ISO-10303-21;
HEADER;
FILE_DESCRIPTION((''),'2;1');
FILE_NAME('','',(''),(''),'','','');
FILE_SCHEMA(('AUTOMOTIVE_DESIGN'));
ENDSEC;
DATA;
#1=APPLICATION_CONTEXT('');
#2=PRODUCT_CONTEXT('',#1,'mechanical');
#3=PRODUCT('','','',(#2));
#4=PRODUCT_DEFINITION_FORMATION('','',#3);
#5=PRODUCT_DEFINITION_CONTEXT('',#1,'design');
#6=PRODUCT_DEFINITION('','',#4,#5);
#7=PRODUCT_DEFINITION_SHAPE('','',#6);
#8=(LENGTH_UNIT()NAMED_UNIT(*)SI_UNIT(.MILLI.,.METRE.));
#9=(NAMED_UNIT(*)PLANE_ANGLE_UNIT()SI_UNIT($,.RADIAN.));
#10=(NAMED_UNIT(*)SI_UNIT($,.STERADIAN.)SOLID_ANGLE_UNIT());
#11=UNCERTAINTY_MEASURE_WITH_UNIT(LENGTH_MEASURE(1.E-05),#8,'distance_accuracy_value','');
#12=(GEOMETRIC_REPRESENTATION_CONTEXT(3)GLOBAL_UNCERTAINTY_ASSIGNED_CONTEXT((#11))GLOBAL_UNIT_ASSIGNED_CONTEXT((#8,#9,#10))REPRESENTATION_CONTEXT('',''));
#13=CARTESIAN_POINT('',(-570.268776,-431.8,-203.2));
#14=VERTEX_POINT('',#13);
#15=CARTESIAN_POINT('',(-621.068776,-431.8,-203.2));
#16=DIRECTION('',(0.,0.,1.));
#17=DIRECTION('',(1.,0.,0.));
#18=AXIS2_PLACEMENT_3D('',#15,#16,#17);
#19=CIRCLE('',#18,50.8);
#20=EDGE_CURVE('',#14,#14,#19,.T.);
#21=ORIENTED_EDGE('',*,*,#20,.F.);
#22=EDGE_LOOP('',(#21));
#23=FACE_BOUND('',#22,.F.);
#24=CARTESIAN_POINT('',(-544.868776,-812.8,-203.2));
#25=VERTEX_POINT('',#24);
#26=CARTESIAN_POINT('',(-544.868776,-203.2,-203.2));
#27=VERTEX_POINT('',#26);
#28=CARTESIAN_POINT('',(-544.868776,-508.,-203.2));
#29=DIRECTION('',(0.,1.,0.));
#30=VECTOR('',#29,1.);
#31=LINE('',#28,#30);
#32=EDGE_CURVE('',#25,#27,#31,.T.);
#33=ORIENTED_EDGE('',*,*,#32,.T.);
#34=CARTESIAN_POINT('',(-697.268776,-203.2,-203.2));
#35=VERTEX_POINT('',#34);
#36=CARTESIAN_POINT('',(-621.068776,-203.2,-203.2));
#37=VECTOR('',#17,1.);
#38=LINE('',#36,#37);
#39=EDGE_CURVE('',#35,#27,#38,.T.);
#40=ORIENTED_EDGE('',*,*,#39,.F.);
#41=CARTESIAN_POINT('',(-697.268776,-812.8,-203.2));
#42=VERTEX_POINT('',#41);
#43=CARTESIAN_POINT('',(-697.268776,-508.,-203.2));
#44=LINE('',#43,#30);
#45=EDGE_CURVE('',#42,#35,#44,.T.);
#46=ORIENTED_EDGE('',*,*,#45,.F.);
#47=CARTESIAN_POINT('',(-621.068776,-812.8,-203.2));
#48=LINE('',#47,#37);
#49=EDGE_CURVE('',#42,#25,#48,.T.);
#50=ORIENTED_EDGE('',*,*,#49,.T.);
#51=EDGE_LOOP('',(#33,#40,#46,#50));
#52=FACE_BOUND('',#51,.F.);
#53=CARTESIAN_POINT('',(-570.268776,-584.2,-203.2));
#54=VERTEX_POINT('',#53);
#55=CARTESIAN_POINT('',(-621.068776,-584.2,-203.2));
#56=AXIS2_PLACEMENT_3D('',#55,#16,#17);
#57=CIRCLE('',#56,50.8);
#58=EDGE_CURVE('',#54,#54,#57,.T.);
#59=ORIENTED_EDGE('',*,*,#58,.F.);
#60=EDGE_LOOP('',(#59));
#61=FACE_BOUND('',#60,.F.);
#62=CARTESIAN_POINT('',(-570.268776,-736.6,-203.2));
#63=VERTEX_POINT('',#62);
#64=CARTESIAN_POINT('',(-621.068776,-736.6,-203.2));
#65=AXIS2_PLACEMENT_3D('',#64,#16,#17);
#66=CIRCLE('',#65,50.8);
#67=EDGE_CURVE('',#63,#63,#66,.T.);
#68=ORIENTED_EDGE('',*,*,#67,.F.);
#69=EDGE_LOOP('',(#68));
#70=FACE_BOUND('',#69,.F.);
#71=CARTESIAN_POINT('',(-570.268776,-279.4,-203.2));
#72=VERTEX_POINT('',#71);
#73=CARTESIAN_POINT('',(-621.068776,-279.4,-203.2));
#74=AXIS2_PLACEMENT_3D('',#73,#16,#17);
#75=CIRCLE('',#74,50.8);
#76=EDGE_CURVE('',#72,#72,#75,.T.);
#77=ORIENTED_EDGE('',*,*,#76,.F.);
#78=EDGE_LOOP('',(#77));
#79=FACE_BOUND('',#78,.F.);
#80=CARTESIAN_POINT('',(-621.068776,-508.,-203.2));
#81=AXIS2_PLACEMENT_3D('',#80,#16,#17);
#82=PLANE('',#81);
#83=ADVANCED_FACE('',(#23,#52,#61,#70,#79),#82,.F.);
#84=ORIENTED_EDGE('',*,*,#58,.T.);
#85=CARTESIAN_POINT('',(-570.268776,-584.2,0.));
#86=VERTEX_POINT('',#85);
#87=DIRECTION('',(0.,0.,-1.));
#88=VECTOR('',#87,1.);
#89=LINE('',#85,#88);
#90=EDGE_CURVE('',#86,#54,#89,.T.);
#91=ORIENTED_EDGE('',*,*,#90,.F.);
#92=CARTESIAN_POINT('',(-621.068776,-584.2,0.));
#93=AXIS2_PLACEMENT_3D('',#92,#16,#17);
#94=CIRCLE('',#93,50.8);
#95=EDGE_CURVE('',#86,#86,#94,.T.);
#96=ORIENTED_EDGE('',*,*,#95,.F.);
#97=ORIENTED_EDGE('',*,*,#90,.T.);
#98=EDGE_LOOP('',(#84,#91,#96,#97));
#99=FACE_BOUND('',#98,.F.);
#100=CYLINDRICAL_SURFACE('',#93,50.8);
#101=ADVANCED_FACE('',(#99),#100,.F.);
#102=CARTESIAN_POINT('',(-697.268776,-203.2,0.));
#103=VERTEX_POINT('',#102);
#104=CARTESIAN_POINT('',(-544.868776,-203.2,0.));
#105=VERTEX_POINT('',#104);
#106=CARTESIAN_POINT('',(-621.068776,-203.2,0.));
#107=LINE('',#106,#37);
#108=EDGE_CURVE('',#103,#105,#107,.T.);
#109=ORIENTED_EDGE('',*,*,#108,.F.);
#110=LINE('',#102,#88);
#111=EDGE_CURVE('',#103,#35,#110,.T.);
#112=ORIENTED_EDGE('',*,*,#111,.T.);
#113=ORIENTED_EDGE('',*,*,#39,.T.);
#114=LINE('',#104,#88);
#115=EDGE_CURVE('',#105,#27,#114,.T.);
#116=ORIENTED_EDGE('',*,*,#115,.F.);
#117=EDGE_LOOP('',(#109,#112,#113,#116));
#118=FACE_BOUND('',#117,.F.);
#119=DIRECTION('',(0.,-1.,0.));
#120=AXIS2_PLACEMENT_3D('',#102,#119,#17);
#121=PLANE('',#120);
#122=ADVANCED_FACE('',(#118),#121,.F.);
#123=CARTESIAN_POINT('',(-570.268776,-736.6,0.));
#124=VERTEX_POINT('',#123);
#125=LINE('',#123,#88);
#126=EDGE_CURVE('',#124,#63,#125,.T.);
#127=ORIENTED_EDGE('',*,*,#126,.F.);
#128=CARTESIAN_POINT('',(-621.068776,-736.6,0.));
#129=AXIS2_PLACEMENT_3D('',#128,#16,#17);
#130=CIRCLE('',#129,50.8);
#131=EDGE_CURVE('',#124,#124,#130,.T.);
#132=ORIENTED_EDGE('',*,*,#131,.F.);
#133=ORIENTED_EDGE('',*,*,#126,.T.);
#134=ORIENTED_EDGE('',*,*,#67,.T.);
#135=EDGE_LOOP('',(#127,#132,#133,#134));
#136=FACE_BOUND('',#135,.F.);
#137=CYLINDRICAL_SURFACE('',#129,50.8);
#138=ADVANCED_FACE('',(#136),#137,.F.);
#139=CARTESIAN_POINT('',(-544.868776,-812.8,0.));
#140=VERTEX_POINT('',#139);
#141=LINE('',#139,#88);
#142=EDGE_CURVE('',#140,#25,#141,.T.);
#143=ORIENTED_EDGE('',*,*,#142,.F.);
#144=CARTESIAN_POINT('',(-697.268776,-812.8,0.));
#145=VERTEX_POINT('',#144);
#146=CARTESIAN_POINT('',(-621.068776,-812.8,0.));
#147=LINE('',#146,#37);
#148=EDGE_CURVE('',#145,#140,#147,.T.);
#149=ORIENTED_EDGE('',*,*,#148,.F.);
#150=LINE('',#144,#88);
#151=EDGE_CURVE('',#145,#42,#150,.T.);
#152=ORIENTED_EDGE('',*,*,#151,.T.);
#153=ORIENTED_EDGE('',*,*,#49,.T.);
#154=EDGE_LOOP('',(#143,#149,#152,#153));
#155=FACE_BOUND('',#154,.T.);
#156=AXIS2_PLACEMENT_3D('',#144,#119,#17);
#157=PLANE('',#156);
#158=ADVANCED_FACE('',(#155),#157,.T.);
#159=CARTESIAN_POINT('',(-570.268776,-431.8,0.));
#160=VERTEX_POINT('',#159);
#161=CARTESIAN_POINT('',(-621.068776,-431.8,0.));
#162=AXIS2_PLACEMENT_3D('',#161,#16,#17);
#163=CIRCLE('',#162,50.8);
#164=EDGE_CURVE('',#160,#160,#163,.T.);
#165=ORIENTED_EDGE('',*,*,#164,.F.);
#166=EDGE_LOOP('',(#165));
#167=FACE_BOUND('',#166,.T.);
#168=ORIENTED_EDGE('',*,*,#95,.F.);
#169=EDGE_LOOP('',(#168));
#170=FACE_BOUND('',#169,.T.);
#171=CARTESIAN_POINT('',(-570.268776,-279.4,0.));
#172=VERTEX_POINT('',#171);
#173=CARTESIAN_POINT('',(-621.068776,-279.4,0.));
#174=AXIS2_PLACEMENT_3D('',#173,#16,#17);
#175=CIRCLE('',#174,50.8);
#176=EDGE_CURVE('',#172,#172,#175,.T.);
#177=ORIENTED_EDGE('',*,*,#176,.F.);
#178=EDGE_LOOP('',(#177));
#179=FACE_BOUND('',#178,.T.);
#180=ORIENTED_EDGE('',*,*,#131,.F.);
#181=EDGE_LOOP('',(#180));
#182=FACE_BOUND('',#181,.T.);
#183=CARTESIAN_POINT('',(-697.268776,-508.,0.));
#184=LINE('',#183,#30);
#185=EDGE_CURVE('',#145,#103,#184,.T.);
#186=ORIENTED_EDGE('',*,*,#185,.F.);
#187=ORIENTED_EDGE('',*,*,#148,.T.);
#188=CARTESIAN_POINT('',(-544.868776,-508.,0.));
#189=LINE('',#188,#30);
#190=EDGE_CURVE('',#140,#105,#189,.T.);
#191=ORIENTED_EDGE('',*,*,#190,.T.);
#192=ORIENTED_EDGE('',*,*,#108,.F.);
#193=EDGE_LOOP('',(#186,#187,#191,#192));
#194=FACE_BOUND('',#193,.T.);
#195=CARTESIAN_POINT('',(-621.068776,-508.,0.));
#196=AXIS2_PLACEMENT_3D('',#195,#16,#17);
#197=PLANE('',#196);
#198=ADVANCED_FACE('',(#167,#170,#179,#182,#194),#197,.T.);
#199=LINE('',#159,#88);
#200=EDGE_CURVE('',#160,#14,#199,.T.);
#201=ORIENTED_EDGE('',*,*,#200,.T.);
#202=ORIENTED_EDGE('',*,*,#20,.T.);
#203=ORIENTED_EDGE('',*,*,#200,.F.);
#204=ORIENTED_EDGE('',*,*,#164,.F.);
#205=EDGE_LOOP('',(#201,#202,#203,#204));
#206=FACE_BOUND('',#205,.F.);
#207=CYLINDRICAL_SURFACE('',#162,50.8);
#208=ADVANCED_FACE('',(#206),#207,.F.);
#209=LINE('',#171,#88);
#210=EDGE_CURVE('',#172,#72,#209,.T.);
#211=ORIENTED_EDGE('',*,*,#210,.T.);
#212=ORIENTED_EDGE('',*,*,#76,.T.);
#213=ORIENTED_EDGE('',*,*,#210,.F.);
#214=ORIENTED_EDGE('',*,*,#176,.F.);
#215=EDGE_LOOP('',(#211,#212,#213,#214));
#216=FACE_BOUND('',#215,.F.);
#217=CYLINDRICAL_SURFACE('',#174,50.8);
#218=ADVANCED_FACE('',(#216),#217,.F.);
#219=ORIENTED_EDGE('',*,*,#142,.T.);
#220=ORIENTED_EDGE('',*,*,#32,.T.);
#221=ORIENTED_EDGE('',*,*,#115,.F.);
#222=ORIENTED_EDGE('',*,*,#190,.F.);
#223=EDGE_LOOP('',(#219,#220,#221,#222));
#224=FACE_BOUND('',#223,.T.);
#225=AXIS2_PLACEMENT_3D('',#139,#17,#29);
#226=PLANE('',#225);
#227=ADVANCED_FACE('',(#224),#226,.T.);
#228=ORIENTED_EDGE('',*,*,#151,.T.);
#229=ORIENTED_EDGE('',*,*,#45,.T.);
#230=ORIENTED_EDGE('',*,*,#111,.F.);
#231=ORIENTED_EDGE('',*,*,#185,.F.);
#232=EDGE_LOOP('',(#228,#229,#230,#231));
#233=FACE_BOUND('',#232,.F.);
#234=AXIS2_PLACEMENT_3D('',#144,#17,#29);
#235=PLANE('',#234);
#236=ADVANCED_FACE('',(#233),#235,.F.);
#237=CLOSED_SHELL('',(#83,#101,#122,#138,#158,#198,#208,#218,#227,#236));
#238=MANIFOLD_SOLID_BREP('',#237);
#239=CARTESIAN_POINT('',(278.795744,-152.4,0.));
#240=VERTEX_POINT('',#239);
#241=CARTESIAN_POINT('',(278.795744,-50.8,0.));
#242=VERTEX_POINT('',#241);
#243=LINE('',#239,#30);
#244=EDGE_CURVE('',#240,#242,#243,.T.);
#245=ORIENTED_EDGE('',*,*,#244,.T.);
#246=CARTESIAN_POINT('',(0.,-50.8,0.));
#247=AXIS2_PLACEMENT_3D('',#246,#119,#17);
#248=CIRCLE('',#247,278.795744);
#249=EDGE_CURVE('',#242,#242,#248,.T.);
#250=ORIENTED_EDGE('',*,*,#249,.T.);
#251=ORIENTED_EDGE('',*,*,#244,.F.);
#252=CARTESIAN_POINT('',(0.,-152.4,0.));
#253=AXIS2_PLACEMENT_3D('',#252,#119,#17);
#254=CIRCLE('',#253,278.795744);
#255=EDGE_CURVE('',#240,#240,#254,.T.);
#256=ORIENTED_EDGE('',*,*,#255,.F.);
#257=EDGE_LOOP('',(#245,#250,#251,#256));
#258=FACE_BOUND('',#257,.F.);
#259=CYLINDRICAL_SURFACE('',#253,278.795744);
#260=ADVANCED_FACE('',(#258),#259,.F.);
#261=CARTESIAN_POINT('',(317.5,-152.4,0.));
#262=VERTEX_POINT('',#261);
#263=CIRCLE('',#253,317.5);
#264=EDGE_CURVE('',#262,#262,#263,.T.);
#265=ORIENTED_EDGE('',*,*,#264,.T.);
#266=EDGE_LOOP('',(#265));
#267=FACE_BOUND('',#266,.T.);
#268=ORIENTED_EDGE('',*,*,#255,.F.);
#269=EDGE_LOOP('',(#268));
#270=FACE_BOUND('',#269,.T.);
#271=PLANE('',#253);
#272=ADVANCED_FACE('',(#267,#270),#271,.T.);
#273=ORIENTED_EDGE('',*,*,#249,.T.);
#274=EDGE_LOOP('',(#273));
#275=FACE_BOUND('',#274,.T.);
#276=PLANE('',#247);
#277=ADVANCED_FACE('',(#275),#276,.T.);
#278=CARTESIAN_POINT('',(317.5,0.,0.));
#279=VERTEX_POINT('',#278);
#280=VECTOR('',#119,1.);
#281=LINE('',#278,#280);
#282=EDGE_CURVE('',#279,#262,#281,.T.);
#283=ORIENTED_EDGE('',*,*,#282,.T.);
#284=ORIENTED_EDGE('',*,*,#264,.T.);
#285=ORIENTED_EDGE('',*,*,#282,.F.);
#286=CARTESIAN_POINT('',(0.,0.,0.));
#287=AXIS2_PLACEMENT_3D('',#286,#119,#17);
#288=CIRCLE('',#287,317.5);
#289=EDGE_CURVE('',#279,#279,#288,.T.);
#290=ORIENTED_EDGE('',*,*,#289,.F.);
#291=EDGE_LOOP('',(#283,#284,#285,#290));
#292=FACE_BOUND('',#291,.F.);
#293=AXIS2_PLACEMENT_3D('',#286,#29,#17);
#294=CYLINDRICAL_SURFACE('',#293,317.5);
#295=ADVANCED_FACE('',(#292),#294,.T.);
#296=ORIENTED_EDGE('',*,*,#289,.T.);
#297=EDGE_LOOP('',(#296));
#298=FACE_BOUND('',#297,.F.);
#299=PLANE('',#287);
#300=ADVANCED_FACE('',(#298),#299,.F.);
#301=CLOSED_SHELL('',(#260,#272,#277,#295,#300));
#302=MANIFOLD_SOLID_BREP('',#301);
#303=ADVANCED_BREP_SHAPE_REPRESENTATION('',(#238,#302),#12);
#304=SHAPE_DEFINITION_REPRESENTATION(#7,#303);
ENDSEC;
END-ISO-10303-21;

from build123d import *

# Parameters (mm, degrees)
F0_R     = 317.5
F1_DEPTH = 152.4
F2_W     = 152.4
F2_H     = 609.6
F2_R     = 50.8
F3_DEPTH = 203.2
F4_R     = 278.795744
F5_DEPTH = 101.6


with BuildPart() as f1:
    # F0 (on Front) → F1 (new body)
    with BuildSketch(Plane.XZ):
        Circle(F0_R)
    extrude(amount=F1_DEPTH)

    # F4 (on face) → F5 (cut)
    with BuildSketch(Plane.XZ.offset(152.4)):
        Circle(F4_R)
    extrude(amount=-F5_DEPTH, mode=Mode.SUBTRACT)


with BuildPart() as f3:
    # F2 (on Top) → F3 (new body)
    with BuildSketch(Plane.XY):
        with Locations((-621.068776, -508)):
            Rectangle(F2_W, F2_H)
        with Locations((-621.068776, -736.6)):
            Circle(F2_R, mode=Mode.SUBTRACT)
        with Locations((-621.068776, -584.2)):
            Circle(F2_R, mode=Mode.SUBTRACT)
        with Locations((-621.068776, -431.8)):
            Circle(F2_R, mode=Mode.SUBTRACT)
        with Locations((-621.068776, -279.4)):
            Circle(F2_R, mode=Mode.SUBTRACT)
    extrude(amount=-F3_DEPTH)


solid = Compound([f1.part, f3.part])
